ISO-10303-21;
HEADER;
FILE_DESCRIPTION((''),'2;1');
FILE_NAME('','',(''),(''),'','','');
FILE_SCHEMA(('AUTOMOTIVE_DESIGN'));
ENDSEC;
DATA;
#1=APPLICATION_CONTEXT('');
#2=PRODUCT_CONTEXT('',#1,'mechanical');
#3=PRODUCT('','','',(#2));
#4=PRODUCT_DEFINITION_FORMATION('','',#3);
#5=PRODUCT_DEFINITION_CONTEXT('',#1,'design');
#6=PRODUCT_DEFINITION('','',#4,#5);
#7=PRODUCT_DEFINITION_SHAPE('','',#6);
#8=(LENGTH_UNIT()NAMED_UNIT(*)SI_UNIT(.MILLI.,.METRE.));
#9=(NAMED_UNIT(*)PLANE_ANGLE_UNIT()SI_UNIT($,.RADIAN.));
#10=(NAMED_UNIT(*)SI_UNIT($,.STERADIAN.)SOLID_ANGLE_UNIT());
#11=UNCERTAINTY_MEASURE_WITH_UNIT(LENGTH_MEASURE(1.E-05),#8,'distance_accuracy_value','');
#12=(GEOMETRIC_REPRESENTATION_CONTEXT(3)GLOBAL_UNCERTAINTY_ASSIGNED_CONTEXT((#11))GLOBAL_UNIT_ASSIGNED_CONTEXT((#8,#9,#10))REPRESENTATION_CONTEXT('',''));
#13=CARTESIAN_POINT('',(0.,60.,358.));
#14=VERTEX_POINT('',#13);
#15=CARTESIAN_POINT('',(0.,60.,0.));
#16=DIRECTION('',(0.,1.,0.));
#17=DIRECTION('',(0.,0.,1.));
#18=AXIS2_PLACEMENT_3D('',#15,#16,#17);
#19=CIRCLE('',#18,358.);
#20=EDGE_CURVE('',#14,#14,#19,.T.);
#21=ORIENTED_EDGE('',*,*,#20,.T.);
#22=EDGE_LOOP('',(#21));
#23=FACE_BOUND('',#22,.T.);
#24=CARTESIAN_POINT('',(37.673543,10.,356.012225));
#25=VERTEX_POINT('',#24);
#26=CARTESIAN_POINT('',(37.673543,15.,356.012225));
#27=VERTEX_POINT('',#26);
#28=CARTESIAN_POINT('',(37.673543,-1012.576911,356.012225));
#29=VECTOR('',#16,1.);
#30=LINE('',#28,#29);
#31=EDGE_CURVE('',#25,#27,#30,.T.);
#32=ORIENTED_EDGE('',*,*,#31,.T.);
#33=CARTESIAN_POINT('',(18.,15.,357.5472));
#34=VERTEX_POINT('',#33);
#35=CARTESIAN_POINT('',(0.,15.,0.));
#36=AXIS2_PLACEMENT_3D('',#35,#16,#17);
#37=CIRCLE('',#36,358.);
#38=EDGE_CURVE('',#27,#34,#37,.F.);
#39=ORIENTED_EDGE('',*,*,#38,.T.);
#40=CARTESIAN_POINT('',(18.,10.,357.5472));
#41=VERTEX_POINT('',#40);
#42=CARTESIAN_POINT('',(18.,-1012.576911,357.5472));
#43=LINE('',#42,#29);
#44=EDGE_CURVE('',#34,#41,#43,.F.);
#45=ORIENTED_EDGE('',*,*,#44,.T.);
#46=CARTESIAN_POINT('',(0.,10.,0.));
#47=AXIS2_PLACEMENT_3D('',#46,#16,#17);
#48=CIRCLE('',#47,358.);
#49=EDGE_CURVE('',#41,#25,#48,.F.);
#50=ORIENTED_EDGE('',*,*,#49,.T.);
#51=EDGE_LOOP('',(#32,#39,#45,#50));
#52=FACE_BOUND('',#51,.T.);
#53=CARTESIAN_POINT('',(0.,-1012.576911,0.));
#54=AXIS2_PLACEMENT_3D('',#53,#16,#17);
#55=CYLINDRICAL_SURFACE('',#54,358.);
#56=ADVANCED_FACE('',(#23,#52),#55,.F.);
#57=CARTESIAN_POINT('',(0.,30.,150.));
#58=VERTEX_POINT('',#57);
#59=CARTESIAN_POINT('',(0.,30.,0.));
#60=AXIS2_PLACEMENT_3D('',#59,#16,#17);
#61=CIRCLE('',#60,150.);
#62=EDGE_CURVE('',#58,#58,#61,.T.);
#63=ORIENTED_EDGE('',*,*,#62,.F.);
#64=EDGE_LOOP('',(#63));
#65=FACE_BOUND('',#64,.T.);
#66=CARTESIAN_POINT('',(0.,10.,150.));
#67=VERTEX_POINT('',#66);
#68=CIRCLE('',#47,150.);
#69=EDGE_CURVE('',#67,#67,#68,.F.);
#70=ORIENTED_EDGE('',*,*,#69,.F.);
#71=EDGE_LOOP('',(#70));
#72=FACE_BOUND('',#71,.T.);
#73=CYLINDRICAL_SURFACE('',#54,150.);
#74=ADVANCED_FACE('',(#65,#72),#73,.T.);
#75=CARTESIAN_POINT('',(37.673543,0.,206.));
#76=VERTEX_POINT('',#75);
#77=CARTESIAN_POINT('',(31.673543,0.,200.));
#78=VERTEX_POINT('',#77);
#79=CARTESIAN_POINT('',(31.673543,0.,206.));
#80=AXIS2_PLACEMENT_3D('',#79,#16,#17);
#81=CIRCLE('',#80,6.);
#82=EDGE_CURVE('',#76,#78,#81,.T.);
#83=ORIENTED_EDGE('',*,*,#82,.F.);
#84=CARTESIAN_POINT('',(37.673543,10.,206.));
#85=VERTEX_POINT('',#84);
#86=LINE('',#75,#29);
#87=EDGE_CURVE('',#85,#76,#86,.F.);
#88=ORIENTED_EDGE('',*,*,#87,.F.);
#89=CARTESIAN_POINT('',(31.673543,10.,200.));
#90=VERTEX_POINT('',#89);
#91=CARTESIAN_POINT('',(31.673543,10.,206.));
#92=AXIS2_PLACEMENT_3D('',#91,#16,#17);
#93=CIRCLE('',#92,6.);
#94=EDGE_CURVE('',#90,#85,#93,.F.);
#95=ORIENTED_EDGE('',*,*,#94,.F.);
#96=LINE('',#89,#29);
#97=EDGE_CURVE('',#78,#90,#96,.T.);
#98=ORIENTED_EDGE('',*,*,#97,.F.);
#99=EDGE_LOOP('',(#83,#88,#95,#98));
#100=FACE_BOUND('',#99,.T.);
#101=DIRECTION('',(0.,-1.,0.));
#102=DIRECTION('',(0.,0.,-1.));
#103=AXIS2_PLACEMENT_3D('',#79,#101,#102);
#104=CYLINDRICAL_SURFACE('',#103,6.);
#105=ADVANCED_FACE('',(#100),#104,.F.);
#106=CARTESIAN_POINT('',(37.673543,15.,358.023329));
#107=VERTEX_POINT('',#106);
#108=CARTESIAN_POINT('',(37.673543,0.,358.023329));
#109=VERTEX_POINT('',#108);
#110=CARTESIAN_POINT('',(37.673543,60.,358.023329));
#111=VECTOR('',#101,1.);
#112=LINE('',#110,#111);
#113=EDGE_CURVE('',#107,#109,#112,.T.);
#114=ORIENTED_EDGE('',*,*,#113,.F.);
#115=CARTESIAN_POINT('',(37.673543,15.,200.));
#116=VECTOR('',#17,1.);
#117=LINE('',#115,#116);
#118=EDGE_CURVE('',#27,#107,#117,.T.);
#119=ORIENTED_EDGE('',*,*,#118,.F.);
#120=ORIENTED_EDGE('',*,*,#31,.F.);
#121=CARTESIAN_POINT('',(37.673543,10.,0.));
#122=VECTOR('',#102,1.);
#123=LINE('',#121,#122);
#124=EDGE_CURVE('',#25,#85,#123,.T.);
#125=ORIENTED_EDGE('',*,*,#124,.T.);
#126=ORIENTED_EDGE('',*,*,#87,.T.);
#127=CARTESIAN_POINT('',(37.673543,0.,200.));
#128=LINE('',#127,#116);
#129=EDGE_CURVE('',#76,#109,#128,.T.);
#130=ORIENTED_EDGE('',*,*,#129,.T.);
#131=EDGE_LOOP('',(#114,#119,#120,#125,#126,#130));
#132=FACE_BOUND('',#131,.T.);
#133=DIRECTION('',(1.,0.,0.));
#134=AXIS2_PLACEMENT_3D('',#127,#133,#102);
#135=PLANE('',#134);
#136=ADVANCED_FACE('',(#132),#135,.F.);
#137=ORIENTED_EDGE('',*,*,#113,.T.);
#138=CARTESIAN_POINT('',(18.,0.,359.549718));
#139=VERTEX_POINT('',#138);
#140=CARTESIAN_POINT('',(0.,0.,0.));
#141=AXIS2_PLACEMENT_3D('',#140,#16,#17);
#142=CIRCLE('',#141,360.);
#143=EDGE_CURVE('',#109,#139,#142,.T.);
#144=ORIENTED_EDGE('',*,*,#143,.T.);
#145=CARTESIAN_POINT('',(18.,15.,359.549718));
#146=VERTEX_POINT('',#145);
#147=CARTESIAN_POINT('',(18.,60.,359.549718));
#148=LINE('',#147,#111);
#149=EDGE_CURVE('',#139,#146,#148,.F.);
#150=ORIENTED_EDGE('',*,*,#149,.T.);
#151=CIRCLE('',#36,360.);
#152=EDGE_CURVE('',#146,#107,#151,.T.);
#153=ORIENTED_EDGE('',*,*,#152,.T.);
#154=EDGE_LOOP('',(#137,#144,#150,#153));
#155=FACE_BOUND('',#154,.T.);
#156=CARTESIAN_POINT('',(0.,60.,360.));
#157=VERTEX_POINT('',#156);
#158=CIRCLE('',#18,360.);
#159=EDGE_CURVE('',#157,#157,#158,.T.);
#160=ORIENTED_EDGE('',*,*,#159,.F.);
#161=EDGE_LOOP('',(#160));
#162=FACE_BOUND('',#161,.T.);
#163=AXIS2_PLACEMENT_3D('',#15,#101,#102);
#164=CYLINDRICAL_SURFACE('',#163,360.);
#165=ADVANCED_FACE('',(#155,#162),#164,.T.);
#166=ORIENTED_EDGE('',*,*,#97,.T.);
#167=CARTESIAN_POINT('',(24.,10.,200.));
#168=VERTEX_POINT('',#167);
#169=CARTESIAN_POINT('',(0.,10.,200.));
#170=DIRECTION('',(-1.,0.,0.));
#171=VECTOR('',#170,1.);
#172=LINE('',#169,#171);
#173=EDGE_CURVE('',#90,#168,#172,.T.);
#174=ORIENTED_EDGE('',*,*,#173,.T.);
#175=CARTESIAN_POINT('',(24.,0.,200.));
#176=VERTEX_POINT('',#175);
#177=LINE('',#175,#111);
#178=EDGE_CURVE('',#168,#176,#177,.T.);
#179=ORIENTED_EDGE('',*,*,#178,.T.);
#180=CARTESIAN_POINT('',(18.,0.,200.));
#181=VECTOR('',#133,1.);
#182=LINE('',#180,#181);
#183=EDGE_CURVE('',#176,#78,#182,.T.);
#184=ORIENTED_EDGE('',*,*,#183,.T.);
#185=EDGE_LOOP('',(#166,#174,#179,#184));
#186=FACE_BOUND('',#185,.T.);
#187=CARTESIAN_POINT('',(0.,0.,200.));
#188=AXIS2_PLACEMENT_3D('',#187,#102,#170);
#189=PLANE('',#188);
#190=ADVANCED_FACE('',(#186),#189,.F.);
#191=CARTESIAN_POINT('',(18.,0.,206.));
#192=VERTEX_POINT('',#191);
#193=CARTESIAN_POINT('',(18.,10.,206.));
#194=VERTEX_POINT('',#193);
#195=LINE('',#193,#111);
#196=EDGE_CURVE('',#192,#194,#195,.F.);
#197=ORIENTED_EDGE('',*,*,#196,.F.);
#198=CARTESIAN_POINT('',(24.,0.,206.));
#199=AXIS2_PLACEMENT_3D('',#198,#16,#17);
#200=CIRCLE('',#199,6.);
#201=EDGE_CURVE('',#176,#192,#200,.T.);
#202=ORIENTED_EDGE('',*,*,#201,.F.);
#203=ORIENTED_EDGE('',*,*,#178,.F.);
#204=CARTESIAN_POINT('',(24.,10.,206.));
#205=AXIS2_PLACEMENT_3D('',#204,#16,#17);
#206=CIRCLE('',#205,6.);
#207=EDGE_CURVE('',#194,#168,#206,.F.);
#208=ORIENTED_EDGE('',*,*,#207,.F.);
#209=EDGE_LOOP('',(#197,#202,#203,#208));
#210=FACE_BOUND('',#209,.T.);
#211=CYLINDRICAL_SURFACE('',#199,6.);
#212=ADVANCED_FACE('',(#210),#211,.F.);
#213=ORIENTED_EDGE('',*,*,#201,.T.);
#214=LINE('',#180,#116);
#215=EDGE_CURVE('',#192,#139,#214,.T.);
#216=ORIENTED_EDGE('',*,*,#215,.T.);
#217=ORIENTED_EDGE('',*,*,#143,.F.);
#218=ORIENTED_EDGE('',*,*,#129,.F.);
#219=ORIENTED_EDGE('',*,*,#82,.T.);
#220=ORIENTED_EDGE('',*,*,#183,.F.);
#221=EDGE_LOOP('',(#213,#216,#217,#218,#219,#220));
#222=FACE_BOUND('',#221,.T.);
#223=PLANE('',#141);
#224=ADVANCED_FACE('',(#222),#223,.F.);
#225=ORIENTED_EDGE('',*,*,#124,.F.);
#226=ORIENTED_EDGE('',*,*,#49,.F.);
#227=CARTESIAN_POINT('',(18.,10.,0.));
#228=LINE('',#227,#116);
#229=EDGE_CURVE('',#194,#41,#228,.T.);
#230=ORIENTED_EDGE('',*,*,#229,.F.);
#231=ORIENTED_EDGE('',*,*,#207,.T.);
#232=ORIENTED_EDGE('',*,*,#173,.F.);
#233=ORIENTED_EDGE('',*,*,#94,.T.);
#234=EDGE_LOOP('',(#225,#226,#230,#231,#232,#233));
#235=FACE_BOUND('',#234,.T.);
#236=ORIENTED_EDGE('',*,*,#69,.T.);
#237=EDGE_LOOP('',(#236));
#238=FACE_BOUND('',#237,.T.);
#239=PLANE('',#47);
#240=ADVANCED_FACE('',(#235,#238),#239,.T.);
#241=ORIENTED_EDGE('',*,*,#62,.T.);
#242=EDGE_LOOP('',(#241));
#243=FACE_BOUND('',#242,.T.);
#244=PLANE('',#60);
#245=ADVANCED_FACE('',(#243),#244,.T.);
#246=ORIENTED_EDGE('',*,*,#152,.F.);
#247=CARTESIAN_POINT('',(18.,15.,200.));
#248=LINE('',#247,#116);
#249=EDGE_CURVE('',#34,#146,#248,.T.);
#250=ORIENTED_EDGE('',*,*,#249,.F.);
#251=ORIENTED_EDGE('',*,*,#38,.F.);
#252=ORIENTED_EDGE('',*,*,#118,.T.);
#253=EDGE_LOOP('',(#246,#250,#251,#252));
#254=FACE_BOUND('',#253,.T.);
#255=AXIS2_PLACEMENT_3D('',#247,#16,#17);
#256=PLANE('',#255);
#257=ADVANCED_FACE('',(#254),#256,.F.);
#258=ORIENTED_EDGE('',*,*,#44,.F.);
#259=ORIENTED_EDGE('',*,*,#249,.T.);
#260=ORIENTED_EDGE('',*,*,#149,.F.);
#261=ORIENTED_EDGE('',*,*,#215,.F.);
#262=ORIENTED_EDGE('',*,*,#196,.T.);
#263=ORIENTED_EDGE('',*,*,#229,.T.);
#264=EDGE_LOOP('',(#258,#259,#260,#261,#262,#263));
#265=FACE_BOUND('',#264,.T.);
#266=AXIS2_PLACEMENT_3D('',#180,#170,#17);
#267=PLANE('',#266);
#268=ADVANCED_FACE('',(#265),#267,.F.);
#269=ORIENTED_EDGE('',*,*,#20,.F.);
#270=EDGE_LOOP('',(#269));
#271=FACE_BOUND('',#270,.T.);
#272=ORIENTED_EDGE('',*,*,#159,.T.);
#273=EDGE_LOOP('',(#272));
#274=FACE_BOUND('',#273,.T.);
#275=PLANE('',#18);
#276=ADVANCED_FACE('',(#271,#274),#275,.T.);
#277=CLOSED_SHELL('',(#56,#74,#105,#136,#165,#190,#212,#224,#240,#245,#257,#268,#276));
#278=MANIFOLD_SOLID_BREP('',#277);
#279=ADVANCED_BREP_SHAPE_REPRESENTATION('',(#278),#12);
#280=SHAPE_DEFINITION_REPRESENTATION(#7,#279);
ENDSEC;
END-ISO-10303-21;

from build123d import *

# Parameters (mm, degrees)
SKETCH1_R           = 360
BOSS_EXTRUDE1_DEPTH = 60
SKETCH2_R           = 358
SKETCH2_R_2         = 150
CUT_EXTRUDE1_DEPTH  = 50
SKETCH3_W           = 19.673543
SKETCH3_H           = 15
CUT_EXTRUDE2_DEPTH  = 160
MOVE_FACE1_BY       = 30
FILLET1_R           = 6


with BuildPart() as part:
    # Sketch1 → Boss-Extrude1 (new body)
    with BuildSketch(Plane(origin=(0, 0, 0), x_dir=(1, 0, 0), z_dir=(0, 1, 0))):
        with Locations(Location((0, 0, 0), (0, 0, 270))):
            Circle(SKETCH1_R)
    extrude(amount=BOSS_EXTRUDE1_DEPTH)

    # Sketch2 → Cut-Extrude1 (cut)
    with BuildSketch(Plane(origin=(0, 60, 0), x_dir=(1, 0, 0), z_dir=(0, 1, 0))):
        with Locations(Location((0, 0, 0), (0, 0, 270))):
            Circle(SKETCH2_R)
        with Locations(Location((0, 0, 0), (0, 0, 270))):
            Circle(SKETCH2_R_2, mode=Mode.SUBTRACT)
    extrude(amount=-CUT_EXTRUDE1_DEPTH, mode=Mode.SUBTRACT)

    # Sketch3 → Cut-Extrude2 (cut)
    with BuildSketch(Plane.XY.offset(360)):
        with Locations((27.8367715, 7.5)):
            Rectangle(SKETCH3_W, SKETCH3_H)
    extrude(amount=-CUT_EXTRUDE2_DEPTH, mode=Mode.SUBTRACT)

    # Move Face1: a face moved inward by 30.0
    extrude(part.faces().sort_by_distance((0, 60, 0))[0], amount=MOVE_FACE1_BY, dir=(0, -1, 0), mode=Mode.SUBTRACT)

    # Fillet1
    fillet1_edges = [part.edges().sort_by_distance(p)[0] for p in [
        (18, 5, 200),
        (37.673543, 5, 200),
    ]]
    fillet(fillet1_edges, radius=FILLET1_R)


solid = part.part
